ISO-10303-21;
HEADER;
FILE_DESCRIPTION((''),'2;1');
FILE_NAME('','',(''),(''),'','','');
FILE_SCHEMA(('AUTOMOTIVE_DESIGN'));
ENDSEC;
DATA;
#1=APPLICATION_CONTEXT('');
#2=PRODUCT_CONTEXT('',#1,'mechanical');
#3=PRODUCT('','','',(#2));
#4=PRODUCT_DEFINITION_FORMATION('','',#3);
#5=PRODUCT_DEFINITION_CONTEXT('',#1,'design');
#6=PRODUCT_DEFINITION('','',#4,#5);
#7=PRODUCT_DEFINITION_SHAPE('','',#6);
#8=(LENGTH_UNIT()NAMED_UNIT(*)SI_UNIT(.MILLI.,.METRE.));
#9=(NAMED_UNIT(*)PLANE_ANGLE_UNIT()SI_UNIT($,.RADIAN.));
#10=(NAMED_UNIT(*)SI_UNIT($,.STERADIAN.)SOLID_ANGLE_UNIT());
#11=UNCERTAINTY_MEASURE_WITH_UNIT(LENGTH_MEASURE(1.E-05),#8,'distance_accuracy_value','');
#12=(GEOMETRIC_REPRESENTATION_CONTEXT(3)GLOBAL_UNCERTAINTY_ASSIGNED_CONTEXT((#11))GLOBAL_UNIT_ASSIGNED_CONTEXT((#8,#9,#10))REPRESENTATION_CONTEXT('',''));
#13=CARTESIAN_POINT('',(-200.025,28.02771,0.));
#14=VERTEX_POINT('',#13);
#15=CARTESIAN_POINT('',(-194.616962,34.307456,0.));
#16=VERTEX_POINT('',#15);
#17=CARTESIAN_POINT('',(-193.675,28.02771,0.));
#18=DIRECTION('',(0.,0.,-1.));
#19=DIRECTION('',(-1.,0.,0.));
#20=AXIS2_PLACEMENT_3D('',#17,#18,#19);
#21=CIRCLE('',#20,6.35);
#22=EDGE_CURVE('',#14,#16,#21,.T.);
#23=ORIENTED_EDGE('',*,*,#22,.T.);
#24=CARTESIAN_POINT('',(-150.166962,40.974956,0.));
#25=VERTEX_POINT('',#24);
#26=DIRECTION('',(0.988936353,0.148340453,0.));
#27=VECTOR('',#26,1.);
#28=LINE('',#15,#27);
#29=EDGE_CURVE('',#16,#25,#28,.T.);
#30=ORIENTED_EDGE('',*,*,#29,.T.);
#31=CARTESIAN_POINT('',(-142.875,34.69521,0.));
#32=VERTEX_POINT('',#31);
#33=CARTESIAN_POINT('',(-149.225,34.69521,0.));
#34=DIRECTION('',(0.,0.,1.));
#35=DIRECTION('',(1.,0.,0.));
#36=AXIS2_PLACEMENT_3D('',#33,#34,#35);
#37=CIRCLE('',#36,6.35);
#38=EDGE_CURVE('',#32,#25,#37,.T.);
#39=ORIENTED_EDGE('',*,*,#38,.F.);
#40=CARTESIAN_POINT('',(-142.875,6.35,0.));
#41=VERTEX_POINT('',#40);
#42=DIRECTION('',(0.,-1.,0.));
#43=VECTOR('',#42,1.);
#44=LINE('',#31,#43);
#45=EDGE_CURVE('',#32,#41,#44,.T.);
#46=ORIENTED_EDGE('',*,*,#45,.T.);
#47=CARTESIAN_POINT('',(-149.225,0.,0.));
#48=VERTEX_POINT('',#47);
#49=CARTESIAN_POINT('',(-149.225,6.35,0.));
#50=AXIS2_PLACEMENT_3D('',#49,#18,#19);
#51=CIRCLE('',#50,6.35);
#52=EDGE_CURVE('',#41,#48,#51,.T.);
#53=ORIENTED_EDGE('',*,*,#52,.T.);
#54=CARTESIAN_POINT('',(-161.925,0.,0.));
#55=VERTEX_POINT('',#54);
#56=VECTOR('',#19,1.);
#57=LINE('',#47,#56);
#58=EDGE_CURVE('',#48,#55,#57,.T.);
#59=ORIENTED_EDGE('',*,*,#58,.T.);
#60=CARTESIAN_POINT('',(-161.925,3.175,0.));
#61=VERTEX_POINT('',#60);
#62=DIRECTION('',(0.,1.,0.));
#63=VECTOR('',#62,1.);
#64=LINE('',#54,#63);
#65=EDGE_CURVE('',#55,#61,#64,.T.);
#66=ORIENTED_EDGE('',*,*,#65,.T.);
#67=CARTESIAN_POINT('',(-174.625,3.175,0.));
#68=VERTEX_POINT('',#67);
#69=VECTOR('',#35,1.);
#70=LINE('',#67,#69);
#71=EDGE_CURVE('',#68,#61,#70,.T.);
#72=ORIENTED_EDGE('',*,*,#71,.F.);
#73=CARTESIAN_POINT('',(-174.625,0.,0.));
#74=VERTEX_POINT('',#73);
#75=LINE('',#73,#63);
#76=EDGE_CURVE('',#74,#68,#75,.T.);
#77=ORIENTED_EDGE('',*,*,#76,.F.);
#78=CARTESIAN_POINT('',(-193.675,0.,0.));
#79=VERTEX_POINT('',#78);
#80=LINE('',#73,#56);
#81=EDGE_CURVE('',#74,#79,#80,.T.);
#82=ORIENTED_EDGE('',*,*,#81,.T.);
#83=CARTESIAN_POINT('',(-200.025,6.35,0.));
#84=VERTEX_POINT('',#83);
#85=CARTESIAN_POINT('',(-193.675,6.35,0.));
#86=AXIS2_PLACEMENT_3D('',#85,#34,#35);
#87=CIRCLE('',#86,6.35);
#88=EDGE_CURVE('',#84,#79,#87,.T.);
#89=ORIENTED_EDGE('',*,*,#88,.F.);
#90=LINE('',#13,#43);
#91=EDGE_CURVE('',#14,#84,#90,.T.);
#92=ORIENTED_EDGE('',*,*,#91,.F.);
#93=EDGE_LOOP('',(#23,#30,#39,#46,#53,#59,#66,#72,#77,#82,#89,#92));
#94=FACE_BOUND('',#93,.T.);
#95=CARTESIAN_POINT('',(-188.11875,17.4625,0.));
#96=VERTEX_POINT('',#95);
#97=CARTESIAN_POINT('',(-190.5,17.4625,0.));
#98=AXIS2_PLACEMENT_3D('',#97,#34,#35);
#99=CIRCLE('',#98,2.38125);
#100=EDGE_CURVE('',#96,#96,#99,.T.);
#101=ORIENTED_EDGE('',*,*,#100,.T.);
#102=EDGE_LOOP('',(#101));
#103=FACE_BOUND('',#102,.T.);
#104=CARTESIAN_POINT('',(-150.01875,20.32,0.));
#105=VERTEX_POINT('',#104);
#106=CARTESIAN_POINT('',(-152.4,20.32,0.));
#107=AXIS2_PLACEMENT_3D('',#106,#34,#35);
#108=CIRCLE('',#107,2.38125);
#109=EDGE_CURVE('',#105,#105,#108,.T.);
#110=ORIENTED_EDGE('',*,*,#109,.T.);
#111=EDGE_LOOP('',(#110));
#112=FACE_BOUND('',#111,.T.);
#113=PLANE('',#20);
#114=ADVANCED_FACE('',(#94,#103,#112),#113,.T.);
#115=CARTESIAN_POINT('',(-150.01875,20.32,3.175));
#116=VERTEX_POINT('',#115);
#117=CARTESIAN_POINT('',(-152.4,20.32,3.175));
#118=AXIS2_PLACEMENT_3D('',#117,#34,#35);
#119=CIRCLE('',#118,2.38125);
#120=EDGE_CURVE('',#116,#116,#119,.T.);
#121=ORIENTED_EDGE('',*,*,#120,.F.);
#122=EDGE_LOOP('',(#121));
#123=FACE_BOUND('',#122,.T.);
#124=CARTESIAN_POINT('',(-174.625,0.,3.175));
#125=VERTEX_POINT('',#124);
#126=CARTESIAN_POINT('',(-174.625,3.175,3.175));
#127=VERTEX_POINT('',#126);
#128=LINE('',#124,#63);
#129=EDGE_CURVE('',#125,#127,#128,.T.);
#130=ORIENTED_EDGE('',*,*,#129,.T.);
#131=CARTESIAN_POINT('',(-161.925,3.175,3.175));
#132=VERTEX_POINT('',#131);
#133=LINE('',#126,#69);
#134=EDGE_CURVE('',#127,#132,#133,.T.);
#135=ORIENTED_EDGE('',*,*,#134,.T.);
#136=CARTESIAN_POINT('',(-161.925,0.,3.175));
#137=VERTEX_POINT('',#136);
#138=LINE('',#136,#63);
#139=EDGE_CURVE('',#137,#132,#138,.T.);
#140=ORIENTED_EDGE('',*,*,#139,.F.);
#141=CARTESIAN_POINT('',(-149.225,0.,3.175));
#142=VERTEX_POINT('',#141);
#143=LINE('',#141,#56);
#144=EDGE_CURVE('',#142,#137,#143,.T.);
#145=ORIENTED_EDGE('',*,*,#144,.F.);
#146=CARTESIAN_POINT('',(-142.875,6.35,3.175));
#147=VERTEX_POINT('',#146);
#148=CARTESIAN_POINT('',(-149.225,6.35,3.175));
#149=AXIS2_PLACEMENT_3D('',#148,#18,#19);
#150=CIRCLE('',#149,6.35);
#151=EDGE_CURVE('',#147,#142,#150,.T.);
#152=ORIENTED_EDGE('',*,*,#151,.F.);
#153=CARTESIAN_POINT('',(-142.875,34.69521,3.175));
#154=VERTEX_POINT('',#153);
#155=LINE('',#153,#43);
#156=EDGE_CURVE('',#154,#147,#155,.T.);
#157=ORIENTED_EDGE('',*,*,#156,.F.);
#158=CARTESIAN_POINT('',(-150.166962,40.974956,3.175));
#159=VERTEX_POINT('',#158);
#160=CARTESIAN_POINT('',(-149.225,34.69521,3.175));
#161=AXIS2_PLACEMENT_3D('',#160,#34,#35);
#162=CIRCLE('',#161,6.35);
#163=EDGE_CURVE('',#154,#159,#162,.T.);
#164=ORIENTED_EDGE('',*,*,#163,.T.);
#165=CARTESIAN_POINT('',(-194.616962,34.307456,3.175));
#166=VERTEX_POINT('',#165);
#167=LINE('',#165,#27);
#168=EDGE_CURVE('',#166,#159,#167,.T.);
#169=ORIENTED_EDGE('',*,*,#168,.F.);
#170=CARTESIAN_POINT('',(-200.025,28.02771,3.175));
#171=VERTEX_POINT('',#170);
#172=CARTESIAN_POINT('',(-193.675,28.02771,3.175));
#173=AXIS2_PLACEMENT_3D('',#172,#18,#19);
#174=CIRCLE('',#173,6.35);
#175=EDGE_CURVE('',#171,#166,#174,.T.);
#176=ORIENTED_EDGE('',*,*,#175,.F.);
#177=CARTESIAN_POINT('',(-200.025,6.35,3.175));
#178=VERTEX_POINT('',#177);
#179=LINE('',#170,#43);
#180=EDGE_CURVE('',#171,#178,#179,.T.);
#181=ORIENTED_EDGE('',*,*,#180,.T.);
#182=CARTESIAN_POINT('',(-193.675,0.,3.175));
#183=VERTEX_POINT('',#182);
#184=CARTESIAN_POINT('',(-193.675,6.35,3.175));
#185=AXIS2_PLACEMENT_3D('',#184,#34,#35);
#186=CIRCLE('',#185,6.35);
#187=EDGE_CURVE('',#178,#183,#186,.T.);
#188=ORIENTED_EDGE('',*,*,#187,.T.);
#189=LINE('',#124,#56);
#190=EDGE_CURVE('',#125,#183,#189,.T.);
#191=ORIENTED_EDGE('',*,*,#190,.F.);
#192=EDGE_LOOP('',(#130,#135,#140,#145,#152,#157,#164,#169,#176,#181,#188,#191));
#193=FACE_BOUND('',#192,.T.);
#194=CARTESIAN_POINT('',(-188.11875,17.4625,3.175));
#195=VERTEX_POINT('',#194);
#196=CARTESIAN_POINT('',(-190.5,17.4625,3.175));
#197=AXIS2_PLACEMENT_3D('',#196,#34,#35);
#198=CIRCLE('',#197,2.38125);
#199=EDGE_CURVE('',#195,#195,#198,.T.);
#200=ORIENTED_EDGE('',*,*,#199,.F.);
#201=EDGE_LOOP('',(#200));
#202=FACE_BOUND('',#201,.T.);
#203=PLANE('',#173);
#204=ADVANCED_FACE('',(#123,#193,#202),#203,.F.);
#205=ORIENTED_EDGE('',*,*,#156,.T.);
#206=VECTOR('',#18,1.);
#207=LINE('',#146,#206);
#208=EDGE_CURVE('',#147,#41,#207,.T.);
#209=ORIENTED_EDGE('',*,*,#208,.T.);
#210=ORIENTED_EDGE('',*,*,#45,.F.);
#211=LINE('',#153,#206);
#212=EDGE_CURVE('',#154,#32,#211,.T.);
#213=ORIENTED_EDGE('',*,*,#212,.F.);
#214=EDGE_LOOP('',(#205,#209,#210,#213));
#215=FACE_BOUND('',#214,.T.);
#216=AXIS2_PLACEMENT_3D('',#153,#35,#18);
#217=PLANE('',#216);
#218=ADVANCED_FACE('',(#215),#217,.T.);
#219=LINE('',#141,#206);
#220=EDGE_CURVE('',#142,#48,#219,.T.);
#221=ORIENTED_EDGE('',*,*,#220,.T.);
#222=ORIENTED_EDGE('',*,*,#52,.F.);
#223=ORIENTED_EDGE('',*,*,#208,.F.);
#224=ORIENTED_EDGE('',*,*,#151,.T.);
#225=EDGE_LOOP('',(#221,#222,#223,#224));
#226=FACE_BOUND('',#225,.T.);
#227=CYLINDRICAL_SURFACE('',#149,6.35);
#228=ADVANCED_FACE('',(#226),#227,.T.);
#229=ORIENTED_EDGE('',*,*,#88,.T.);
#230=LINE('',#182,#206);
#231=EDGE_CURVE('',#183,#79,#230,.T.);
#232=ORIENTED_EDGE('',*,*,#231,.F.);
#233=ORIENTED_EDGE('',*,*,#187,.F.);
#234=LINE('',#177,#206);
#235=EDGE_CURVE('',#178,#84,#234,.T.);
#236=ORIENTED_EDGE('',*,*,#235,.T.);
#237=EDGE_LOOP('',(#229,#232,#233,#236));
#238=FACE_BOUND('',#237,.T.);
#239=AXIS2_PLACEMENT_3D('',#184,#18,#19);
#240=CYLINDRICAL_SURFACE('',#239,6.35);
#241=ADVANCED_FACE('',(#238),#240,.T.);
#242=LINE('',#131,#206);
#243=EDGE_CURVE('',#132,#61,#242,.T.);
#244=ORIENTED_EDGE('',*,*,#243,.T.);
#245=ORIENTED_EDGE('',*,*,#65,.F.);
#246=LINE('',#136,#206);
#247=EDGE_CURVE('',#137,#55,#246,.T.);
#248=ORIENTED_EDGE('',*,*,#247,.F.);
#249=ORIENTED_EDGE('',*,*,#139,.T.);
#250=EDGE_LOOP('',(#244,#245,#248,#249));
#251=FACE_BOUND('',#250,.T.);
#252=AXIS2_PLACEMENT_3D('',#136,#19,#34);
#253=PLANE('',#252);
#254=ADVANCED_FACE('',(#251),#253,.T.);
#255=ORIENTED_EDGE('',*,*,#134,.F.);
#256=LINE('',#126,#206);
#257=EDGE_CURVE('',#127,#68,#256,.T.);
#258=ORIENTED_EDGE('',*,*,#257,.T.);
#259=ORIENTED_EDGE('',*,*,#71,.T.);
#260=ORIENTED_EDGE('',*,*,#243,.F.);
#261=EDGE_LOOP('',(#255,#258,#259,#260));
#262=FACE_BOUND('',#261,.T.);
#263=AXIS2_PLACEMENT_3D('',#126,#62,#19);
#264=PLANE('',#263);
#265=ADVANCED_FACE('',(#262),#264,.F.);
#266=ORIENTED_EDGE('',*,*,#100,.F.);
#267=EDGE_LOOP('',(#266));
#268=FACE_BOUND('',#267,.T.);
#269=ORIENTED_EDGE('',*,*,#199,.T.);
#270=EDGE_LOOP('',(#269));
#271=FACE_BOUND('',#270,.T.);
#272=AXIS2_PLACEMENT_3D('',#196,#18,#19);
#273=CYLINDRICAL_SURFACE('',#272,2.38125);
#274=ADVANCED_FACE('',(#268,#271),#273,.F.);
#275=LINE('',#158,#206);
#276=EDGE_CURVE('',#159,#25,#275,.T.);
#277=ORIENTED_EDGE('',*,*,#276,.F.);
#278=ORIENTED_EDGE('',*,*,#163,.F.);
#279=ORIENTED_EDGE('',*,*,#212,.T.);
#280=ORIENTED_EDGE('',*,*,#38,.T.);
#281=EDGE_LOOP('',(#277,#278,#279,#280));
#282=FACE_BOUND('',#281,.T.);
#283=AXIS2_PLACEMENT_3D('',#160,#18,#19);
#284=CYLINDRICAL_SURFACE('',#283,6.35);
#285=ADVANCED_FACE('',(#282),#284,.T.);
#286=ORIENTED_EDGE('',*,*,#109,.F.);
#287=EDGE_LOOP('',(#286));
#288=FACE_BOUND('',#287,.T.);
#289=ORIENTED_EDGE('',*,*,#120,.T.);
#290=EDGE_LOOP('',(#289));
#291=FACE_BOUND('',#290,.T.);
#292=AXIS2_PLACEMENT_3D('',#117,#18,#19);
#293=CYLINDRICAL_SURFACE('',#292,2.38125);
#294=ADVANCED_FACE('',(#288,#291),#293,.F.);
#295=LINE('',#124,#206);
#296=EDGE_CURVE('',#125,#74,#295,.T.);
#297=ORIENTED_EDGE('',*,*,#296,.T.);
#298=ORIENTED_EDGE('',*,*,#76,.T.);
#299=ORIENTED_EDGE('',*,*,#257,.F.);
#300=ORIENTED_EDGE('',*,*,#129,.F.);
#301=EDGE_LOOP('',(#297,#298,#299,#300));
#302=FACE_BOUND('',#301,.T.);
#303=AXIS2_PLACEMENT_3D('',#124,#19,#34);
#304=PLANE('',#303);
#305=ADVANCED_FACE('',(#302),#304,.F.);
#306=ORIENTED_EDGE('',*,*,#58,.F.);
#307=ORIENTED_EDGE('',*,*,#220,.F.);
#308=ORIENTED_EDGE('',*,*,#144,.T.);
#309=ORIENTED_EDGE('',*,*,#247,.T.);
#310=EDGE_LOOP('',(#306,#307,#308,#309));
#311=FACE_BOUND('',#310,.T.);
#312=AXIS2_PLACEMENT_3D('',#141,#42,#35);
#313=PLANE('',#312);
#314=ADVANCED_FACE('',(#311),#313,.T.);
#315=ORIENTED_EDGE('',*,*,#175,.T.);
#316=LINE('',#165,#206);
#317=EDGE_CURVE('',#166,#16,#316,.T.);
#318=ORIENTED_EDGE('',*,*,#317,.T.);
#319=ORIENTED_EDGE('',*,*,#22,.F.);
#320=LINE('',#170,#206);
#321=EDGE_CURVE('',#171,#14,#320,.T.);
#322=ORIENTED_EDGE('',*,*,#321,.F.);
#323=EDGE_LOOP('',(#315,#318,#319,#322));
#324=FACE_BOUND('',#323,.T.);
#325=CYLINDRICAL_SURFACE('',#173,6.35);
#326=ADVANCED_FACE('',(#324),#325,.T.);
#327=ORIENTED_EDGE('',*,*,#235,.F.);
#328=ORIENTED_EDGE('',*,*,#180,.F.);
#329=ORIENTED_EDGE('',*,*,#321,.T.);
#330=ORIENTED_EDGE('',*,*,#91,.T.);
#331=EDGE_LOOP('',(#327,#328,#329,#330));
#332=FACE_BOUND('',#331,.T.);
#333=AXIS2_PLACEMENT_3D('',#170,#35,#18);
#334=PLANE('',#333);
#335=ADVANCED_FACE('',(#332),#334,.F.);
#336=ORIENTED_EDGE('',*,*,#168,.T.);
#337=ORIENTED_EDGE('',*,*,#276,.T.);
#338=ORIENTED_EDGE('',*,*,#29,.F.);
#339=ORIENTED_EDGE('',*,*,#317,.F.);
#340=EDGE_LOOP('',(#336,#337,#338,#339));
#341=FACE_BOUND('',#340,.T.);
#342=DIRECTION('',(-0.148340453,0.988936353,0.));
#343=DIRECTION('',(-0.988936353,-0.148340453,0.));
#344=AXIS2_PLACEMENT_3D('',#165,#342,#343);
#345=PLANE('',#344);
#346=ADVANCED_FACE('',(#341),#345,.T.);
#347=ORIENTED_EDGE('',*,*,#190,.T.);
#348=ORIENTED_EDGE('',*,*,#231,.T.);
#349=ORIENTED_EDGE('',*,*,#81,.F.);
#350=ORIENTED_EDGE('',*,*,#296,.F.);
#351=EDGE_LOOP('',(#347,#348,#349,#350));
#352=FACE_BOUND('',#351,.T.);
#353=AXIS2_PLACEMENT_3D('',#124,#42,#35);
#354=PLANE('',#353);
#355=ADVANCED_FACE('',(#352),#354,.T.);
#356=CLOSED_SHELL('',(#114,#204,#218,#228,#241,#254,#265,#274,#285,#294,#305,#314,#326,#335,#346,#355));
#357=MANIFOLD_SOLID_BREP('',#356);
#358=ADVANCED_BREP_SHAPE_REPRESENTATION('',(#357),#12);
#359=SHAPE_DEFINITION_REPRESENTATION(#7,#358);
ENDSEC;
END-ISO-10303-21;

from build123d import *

# Parameters (mm, degrees)
SKETCH1_R           = 2.38125
BOSS_EXTRUDE1_DEPTH = 3.175


with BuildPart() as part:
    # Sketch1 → Boss-Extrude1 (new body)
    with BuildSketch(Plane.XY):
        with BuildLine():
            Line((-174.625, 0), (-193.675, 0))
            ThreePointArc((-193.675, 0), (-198.165128061, 1.859871939), (-200.025, 6.35))
            Line((-200.025, 6.35), (-200.025, 28.027709878))
            ThreePointArc((-200.025, 28.027709878), (-198.486650336, 32.171442621), (-194.616961876, 34.307455719))
            Line((-194.616961876, 34.307455719), (-150.166961876, 40.974955719))
            ThreePointArc((-150.166961876, 40.974955719), (-145.081267257, 39.506860214), (-142.875, 34.695209878))
            Line((-142.875, 34.695209878), (-142.875, 6.35))
            ThreePointArc((-142.875, 6.35), (-144.734871939, 1.859871939), (-149.225, 0))
            Line((-149.225, 0), (-161.925, 0))
            Line((-161.925, 0), (-161.925, 3.175))
            Line((-161.925, 3.175), (-174.625, 3.175))
            Line((-174.625, 3.175), (-174.625, 0))
        make_face()
        with Locations((-190.5, 17.4625)):
            Circle(SKETCH1_R, mode=Mode.SUBTRACT)
        with Locations((-152.4, 20.32)):
            Circle(SKETCH1_R, mode=Mode.SUBTRACT)
    extrude(amount=BOSS_EXTRUDE1_DEPTH)


solid = part.part
